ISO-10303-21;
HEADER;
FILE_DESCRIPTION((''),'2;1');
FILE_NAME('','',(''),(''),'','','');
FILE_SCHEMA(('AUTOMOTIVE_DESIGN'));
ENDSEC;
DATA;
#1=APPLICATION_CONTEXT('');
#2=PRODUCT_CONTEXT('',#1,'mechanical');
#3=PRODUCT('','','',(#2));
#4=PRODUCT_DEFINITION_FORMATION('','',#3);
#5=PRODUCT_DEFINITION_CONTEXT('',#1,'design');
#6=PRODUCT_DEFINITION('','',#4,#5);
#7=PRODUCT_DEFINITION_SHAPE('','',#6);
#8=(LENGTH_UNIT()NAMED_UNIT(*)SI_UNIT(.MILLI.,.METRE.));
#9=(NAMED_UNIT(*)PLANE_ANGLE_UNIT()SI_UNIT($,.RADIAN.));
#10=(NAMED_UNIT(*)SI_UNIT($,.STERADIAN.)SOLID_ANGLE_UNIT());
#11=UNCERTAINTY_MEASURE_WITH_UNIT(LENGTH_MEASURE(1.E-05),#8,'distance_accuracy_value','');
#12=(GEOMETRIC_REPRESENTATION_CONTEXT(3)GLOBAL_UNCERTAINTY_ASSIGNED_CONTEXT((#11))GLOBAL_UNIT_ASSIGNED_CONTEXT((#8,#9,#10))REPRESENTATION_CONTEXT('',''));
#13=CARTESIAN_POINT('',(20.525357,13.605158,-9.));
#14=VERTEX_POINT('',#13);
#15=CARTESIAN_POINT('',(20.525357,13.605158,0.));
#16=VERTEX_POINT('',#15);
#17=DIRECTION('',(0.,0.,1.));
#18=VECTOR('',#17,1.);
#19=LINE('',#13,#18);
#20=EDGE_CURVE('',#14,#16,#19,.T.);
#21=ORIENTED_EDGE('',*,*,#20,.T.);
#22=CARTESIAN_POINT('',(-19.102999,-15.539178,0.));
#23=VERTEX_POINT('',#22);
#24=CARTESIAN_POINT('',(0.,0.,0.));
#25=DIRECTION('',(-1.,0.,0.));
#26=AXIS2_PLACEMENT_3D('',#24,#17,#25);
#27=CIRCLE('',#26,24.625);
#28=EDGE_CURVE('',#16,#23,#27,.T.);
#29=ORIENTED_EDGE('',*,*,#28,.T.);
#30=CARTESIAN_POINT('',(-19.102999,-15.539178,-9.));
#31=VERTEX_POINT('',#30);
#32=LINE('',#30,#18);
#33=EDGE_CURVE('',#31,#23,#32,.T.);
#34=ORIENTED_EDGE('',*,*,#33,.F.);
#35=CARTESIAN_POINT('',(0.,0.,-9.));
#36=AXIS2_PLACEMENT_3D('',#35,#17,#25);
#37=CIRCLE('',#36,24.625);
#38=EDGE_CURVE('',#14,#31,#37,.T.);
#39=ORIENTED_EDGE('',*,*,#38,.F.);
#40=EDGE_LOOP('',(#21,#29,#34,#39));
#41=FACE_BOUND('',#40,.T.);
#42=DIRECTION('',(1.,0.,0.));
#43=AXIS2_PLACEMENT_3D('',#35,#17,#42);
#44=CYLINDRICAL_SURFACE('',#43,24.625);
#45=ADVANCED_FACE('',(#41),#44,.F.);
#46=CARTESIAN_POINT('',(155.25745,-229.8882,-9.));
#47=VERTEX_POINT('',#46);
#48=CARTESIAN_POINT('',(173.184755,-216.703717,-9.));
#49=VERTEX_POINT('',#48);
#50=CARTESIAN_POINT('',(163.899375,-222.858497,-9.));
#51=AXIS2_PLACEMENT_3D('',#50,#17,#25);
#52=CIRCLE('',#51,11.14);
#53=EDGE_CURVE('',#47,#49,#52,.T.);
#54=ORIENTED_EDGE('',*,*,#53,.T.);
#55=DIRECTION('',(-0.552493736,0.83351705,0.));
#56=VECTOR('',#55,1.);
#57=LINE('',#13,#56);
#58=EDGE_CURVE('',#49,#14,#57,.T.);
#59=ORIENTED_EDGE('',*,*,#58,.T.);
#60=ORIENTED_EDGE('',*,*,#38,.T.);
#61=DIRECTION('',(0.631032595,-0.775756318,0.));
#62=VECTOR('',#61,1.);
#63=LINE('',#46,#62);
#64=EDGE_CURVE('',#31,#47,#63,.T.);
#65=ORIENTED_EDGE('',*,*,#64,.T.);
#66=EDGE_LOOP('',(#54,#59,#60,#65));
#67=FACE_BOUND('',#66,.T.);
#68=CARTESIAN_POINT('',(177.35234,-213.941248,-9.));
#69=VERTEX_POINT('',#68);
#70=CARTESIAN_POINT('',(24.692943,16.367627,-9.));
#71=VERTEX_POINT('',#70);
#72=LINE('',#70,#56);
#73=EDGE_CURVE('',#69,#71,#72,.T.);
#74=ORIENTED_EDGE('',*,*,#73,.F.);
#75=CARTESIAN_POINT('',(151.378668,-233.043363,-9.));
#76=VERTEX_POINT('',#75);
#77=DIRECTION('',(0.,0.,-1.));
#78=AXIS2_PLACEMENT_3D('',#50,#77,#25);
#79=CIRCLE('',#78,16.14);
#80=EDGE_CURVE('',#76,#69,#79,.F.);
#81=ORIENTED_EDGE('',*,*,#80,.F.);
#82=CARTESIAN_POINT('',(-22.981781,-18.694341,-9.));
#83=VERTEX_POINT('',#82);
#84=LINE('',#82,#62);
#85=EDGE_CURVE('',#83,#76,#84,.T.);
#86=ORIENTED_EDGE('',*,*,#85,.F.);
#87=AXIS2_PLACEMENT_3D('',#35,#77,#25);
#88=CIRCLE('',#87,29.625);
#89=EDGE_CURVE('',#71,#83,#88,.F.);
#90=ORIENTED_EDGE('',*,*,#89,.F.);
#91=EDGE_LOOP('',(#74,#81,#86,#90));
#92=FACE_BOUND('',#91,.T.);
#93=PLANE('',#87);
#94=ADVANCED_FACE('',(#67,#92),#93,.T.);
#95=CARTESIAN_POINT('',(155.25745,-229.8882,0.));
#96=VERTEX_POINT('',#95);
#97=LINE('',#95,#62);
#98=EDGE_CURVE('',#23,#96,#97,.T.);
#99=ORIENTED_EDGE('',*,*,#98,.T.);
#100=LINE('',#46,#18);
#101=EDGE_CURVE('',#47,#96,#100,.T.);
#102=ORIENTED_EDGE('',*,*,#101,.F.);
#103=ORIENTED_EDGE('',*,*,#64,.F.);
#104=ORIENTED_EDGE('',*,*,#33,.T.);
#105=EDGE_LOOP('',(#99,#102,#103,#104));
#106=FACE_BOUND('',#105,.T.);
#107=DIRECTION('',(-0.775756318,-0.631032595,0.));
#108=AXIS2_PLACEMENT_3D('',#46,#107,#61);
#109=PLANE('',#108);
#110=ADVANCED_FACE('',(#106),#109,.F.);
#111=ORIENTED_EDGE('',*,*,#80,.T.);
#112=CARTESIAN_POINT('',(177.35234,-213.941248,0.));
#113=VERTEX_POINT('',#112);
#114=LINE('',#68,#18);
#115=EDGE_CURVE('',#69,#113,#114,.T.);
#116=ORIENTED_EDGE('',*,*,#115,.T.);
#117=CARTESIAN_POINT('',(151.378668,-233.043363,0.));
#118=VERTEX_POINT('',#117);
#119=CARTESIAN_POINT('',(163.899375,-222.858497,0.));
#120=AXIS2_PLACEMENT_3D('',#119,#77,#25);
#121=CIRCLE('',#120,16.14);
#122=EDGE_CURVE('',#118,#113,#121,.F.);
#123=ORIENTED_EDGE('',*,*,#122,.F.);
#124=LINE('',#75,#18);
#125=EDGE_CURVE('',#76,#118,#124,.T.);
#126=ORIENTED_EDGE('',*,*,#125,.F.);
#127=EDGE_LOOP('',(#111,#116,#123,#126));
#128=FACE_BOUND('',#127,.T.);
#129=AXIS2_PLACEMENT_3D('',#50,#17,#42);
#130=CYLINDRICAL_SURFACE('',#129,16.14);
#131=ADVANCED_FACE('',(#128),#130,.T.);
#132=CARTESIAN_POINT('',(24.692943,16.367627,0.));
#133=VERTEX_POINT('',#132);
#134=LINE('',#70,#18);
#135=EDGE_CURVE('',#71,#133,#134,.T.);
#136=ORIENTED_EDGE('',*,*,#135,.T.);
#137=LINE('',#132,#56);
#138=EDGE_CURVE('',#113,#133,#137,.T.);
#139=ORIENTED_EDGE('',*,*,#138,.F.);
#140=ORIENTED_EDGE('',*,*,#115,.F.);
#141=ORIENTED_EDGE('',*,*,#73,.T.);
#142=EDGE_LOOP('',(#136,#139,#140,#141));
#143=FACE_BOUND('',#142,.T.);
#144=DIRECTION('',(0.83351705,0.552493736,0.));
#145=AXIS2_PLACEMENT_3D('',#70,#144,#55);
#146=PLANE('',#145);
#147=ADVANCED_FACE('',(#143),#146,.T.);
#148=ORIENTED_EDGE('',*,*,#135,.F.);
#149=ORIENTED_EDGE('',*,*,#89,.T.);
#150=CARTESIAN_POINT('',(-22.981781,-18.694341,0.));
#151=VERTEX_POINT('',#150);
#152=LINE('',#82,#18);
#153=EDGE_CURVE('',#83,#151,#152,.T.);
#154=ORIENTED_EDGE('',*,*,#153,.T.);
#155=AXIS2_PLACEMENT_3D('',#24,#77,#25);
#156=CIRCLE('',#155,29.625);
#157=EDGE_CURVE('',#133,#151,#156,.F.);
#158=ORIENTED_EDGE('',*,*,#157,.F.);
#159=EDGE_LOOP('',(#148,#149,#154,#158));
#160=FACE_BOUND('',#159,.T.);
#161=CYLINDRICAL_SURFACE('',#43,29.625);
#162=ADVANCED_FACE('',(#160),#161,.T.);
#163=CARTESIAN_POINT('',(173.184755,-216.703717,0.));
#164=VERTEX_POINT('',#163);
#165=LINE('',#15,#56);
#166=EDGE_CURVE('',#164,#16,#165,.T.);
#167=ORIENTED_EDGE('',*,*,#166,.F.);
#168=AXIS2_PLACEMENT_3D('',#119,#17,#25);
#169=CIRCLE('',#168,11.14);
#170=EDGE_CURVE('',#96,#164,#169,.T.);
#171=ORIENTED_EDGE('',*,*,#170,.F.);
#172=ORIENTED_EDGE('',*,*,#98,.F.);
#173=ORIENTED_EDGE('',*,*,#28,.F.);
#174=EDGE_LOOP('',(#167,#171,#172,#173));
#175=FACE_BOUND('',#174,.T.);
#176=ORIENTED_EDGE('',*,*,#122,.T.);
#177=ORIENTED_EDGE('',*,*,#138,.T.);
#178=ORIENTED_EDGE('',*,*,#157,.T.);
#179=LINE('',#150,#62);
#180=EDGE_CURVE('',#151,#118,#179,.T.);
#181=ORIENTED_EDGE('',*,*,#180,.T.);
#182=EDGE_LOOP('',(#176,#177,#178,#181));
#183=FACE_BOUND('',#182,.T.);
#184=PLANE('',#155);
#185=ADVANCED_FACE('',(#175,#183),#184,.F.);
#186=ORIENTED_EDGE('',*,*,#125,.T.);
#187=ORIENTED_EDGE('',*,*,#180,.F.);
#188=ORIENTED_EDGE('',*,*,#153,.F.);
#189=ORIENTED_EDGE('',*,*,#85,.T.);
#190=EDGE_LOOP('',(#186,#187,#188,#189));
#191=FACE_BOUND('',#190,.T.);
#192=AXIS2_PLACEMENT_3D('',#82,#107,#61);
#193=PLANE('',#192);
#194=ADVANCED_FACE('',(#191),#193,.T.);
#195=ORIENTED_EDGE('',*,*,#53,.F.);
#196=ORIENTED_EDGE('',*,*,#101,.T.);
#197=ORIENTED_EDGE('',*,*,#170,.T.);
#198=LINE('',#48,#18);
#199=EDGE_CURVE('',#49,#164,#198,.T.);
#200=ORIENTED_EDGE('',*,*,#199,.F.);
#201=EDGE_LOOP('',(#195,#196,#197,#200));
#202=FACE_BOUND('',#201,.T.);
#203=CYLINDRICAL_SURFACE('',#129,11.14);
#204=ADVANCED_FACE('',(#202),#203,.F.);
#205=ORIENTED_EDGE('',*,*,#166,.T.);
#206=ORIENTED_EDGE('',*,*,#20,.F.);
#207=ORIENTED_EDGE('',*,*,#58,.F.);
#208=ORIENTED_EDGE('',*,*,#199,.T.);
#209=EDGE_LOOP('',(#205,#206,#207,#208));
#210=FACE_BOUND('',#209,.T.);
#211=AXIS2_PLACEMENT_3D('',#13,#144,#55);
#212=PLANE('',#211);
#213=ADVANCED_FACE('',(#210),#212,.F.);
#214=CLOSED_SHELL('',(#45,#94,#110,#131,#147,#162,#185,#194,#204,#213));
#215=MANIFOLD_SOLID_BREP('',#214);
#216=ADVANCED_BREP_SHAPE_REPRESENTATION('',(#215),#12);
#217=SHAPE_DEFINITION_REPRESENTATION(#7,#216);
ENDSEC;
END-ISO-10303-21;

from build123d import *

# Parameters (mm, degrees)
EXTRUDE_THIN1_DEPTH = 9


with BuildPart() as part:
    # Sketch2 → Extrude-Thin1 (new body)
    with BuildSketch(Plane.XY):
        with BuildLine():
            Line((151.378668263, -233.043363361), (-22.981780911, -18.694340619))
            ThreePointArc((-22.981780911, -18.694340619), (-17.551849204, 23.865733061), (24.692942596, 16.367626918))
            Line((24.692942596, 16.367626918), (177.352340412, -213.941248389))
            ThreePointArc((177.352340412, -213.941248389), (173.461800416, -235.860790332), (151.378668263, -233.043363361))
        make_face()
        with BuildLine():
            Line((155.257449851, -229.888200388), (-19.102999323, -15.539177645))
            ThreePointArc((-19.102999323, -15.539177645), (-14.589511785, 19.837761236), (20.525357348, 13.60515824))
            Line((20.525357348, 13.60515824), (173.184755163, -216.703717068))
            ThreePointArc((173.184755163, -216.703717068), (170.499462998, -231.832818508), (155.257449851, -229.888200388))
        make_face(mode=Mode.SUBTRACT)
    extrude(amount=-EXTRUDE_THIN1_DEPTH)


solid = part.part
